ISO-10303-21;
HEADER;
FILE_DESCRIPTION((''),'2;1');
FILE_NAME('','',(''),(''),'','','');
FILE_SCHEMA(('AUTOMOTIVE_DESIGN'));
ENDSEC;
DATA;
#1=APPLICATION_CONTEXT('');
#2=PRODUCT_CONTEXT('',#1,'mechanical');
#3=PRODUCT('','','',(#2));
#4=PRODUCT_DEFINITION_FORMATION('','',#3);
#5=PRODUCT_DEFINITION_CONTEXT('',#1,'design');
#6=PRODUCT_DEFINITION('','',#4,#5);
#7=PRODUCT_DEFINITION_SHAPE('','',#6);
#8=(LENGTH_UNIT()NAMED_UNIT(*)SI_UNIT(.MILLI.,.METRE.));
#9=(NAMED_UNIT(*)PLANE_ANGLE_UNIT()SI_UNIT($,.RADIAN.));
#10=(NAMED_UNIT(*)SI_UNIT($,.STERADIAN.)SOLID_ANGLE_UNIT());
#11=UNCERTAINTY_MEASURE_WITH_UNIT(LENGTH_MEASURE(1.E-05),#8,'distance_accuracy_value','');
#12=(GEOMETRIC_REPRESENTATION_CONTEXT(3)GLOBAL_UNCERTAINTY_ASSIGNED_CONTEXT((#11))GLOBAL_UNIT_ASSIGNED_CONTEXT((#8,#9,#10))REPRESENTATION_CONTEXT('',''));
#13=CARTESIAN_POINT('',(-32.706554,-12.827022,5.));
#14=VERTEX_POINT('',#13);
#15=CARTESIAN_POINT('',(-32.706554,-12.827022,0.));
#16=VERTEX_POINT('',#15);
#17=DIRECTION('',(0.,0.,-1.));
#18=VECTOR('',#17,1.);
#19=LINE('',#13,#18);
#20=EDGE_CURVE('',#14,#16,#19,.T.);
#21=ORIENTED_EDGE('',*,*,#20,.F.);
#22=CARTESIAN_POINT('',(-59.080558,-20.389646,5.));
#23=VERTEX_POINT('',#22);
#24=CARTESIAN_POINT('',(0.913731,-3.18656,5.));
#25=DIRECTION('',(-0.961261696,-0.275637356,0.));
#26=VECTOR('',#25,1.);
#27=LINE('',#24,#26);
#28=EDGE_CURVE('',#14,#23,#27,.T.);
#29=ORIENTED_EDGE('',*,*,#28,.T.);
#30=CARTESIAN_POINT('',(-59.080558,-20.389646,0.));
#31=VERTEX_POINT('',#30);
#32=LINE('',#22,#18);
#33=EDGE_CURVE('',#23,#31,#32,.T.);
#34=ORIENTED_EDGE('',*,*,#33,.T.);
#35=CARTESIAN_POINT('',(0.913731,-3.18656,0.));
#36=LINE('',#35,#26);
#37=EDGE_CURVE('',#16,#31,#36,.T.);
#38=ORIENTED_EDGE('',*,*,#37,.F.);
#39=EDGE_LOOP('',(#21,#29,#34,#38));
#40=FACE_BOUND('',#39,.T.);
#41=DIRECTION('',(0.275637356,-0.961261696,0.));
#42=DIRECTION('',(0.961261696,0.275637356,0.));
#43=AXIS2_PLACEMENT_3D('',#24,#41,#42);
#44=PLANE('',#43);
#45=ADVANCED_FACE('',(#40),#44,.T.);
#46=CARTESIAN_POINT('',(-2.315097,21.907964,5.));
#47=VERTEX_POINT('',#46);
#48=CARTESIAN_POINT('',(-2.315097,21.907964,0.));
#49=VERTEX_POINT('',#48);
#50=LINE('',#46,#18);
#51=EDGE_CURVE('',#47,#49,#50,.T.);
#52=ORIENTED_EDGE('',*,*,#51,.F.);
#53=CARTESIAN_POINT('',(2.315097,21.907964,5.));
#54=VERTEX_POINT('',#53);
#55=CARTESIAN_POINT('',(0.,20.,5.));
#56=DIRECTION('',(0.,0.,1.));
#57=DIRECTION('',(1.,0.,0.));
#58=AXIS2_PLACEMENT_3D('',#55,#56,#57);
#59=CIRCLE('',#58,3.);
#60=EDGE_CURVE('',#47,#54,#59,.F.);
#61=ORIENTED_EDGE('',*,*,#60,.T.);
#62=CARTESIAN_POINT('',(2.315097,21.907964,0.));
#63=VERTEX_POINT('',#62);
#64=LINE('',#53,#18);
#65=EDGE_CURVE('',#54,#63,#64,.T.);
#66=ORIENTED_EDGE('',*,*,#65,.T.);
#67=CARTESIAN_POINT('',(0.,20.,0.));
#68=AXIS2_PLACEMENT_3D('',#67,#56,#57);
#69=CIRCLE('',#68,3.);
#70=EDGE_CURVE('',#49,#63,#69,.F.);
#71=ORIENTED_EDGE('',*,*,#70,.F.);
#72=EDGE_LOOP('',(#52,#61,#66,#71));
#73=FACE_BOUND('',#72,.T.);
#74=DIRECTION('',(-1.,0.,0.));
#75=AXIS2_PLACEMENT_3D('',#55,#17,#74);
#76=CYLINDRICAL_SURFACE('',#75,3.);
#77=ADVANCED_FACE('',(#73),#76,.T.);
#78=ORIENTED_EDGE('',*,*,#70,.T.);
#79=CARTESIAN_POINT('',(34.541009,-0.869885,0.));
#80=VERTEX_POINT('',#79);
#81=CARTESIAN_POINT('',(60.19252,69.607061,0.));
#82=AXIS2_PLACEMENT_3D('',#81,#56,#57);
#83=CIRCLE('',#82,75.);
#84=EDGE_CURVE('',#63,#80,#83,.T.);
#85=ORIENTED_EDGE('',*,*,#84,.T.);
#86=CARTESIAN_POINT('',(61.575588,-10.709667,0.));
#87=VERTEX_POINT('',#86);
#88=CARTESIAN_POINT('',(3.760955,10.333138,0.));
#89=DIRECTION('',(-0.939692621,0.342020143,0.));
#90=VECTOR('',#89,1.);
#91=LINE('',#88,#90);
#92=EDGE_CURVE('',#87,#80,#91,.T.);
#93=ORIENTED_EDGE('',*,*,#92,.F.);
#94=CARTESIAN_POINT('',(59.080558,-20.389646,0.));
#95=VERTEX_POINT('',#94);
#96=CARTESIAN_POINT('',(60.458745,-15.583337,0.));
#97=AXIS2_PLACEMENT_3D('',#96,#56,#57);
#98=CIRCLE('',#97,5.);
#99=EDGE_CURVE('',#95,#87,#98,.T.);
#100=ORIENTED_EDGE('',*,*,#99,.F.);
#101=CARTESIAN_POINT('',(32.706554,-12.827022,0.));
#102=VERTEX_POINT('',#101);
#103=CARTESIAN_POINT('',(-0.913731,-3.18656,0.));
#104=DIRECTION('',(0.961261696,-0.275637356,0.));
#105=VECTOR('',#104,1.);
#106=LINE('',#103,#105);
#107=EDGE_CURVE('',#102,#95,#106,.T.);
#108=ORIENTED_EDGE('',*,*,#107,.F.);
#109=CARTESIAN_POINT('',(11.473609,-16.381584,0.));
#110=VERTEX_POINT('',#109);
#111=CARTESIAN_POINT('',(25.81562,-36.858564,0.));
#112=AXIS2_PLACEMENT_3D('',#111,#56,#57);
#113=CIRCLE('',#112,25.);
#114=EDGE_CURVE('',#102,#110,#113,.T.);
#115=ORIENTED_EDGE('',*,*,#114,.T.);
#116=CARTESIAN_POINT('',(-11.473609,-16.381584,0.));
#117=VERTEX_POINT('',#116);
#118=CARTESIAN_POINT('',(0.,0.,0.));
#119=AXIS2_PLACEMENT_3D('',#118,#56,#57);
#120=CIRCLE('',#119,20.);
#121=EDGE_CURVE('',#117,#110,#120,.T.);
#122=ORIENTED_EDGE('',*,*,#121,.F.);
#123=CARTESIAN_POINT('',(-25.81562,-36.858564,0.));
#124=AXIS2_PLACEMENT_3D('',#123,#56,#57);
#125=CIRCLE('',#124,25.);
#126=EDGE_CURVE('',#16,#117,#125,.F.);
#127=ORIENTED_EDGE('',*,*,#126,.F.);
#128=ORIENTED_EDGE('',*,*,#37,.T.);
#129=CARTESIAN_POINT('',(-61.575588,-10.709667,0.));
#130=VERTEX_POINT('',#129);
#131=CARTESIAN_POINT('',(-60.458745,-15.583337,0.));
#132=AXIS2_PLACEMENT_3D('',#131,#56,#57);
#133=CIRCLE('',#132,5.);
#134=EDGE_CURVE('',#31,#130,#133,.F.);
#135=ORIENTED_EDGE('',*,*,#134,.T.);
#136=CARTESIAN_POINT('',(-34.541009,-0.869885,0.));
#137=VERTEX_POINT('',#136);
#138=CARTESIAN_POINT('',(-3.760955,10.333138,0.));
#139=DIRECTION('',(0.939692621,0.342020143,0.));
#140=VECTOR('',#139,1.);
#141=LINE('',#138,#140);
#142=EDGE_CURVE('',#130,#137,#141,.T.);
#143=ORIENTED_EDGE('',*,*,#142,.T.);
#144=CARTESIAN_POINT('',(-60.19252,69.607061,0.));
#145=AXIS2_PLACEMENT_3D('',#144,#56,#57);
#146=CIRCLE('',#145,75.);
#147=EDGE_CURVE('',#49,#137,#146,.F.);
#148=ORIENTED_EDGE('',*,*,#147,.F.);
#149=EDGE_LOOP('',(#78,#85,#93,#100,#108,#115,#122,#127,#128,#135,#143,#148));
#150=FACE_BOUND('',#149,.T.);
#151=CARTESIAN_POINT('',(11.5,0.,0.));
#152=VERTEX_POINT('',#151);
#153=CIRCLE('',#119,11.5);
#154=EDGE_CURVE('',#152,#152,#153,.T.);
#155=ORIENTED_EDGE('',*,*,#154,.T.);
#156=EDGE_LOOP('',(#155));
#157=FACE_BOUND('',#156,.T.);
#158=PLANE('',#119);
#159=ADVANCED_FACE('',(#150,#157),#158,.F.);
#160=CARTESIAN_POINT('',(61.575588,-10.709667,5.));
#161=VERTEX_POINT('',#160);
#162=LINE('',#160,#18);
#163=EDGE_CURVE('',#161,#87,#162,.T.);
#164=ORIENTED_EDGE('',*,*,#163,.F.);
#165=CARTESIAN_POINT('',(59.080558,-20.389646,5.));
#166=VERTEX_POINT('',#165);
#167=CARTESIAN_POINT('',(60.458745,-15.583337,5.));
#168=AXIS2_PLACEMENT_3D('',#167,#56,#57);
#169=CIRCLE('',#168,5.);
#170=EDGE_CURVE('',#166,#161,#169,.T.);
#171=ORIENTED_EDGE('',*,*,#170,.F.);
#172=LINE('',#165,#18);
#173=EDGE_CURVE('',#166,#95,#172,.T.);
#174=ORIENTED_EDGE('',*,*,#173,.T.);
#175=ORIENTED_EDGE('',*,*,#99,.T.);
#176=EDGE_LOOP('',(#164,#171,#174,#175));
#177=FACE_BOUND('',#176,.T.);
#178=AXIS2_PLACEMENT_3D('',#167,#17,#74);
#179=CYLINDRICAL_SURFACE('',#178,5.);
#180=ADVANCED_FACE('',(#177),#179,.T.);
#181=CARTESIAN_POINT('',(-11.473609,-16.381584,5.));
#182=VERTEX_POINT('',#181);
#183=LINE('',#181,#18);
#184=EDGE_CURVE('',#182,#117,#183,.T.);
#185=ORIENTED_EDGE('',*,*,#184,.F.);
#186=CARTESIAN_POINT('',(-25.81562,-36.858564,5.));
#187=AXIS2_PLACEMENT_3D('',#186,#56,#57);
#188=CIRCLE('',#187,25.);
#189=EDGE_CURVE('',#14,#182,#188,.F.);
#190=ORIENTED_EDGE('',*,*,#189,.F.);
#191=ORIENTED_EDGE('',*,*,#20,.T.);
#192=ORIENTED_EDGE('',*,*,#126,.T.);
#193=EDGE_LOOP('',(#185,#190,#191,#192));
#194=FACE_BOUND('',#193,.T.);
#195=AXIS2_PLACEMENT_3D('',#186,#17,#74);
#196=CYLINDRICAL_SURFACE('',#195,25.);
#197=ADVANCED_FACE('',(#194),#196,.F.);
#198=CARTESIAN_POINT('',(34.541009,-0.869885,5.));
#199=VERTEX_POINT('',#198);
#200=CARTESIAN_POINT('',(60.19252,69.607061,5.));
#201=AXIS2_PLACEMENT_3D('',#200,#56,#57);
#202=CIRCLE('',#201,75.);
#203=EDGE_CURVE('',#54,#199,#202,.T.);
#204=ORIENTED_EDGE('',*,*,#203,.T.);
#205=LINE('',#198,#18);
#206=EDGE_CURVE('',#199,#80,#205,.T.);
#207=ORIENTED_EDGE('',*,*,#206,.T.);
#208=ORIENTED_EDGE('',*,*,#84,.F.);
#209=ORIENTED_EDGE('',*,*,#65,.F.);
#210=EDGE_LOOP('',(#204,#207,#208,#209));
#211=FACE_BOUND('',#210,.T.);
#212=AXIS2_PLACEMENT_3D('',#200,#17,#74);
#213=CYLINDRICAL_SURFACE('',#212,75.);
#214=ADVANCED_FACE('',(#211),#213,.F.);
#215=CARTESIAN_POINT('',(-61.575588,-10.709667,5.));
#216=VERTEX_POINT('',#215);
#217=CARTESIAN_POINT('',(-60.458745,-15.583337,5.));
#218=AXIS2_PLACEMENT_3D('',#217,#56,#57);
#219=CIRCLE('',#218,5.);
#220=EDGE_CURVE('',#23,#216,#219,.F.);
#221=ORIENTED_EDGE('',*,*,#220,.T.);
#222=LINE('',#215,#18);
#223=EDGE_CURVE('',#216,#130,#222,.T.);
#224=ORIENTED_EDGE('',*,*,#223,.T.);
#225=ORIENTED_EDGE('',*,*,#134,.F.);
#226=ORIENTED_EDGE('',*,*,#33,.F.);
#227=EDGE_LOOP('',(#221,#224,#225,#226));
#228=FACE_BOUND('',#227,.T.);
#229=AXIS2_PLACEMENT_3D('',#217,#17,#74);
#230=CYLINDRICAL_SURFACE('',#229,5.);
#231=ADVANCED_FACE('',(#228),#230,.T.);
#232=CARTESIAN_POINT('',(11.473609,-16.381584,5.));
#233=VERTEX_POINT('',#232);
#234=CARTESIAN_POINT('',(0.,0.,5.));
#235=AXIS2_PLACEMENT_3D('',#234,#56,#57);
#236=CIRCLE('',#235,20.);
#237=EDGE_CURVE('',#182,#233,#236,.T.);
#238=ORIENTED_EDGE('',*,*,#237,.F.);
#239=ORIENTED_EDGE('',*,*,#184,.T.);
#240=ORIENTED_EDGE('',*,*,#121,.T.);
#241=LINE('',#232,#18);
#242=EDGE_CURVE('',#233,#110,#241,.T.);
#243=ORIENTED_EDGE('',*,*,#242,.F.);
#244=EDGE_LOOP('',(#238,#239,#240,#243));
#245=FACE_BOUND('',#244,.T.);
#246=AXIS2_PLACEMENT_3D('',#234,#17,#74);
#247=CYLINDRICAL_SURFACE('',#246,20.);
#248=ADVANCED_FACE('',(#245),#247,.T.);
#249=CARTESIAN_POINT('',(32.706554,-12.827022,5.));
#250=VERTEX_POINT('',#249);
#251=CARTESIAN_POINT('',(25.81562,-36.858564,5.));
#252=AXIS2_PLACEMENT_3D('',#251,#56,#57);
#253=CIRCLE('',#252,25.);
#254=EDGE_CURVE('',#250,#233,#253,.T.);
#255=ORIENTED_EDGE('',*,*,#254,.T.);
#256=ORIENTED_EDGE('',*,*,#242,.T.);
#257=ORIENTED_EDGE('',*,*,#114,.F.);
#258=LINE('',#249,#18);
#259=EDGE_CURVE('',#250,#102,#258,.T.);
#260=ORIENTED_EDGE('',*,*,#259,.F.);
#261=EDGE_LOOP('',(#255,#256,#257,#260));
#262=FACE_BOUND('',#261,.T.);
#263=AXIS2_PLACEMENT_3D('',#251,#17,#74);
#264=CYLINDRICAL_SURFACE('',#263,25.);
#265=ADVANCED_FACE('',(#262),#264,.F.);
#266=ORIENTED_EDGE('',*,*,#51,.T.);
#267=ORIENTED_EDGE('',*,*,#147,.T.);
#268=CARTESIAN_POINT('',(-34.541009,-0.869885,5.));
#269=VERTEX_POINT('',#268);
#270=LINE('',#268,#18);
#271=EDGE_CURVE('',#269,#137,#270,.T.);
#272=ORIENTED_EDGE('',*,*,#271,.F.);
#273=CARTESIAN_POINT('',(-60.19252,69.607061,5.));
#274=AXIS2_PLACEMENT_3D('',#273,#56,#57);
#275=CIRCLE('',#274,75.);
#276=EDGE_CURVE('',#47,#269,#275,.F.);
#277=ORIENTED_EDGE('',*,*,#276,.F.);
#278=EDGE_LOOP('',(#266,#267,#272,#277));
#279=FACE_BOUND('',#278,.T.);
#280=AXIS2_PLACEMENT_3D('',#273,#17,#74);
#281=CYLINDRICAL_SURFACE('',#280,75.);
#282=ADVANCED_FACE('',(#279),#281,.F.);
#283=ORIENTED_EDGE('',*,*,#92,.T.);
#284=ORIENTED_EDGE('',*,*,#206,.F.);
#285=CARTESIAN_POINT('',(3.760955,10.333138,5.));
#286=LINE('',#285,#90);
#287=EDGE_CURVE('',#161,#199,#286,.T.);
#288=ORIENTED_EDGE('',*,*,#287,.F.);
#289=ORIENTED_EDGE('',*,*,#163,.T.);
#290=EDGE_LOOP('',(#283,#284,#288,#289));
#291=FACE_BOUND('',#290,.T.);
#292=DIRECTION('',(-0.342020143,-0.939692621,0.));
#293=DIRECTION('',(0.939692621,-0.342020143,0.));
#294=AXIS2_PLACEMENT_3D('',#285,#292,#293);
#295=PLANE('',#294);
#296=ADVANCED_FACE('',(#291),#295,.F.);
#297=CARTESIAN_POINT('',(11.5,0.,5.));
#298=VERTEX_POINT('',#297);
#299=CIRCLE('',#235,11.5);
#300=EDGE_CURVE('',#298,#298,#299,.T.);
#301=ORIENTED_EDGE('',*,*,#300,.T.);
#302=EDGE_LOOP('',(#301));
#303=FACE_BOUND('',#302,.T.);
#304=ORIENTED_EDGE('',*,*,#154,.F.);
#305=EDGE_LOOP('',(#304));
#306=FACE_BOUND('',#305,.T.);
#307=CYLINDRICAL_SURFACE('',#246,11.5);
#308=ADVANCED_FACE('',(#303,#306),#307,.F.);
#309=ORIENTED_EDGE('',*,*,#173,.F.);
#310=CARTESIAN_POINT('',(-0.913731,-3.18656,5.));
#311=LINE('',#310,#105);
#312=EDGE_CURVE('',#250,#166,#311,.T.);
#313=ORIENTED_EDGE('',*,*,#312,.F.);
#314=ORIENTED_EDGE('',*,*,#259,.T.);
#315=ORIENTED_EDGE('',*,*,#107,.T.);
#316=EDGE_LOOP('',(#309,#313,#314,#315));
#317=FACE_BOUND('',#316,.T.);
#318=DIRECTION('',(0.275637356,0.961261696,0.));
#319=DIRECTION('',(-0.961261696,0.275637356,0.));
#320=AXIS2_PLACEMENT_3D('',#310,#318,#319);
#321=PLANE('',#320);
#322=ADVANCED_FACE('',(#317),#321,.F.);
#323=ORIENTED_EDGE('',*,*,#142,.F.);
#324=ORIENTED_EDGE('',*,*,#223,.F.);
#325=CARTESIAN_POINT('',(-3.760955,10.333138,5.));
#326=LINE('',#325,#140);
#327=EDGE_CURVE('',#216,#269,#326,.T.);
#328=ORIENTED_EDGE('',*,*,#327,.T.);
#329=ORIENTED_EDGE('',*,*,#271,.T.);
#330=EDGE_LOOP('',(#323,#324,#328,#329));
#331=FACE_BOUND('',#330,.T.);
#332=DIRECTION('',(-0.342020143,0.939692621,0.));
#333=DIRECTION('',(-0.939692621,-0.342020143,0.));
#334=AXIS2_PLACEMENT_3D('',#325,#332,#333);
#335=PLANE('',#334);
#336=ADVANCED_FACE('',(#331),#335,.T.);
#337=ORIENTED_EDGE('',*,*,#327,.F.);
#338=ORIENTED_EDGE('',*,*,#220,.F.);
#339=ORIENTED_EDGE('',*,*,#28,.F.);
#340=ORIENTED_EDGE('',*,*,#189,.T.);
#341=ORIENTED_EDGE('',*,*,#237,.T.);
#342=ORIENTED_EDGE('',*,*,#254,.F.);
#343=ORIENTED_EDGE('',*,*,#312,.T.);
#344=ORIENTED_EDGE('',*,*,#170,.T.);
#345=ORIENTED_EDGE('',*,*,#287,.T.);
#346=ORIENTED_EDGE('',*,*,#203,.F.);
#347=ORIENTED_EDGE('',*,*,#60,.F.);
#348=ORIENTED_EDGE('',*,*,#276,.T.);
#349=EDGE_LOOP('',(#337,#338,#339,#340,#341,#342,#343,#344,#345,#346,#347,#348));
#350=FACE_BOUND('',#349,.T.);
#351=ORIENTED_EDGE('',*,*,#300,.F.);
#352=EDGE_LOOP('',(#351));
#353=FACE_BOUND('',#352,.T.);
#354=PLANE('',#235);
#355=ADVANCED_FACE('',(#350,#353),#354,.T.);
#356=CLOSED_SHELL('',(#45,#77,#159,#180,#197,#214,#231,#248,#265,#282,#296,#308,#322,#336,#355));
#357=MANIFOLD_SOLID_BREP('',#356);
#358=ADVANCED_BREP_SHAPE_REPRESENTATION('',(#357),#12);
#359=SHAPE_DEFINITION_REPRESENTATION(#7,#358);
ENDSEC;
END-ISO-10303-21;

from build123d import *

# Parameters (mm, degrees)
SZKIC1_R                    = 11.5
DODANIE_WYCI_GNI_CIE1_DEPTH = 5


with BuildPart() as part:
    # Szkic1 → Dodanie-wyciągnięcie1 (new body)
    with BuildSketch(Plane.XY):
        with BuildLine():
            Line((61.575587946, -10.709667087), (34.541009179, -0.86988512))
            ThreePointArc((34.541009179, -0.86988512), (16.903048978, 8.361476253), (2.31509692, 21.907963902))
            ThreePointArc((2.31509692, 21.907963902), (0, 23), (-2.31509692, 21.907963902))
            ThreePointArc((-2.31509692, 21.907963902), (-16.903048978, 8.361476253), (-34.541009179, -0.86988512))
            Line((-34.541009179, -0.86988512), (-61.575587946, -10.709667087))
            ThreePointArc((-61.575587946, -10.709667087), (-65.300497868, -16.83130683), (-59.08055809, -20.389645799))
            Line((-59.08055809, -20.389645799), (-32.70655403, -12.827021831))
            ThreePointArc((-32.70655403, -12.827021831), (-21.687864518, -12.201686212), (-11.473608949, -16.381584102))
            ThreePointArc((-11.473608949, -16.381584102), (0, -20), (11.473608949, -16.381584102))
            ThreePointArc((11.473608949, -16.381584102), (21.687864518, -12.201686212), (32.70655403, -12.827021831))
            Line((32.70655403, -12.827021831), (59.08055809, -20.389645799))
            ThreePointArc((59.08055809, -20.389645799), (65.300497868, -16.83130683), (61.575587946, -10.709667087))
        make_face()
        Circle(SZKIC1_R, mode=Mode.SUBTRACT)
    extrude(amount=DODANIE_WYCI_GNI_CIE1_DEPTH)


solid = part.part
